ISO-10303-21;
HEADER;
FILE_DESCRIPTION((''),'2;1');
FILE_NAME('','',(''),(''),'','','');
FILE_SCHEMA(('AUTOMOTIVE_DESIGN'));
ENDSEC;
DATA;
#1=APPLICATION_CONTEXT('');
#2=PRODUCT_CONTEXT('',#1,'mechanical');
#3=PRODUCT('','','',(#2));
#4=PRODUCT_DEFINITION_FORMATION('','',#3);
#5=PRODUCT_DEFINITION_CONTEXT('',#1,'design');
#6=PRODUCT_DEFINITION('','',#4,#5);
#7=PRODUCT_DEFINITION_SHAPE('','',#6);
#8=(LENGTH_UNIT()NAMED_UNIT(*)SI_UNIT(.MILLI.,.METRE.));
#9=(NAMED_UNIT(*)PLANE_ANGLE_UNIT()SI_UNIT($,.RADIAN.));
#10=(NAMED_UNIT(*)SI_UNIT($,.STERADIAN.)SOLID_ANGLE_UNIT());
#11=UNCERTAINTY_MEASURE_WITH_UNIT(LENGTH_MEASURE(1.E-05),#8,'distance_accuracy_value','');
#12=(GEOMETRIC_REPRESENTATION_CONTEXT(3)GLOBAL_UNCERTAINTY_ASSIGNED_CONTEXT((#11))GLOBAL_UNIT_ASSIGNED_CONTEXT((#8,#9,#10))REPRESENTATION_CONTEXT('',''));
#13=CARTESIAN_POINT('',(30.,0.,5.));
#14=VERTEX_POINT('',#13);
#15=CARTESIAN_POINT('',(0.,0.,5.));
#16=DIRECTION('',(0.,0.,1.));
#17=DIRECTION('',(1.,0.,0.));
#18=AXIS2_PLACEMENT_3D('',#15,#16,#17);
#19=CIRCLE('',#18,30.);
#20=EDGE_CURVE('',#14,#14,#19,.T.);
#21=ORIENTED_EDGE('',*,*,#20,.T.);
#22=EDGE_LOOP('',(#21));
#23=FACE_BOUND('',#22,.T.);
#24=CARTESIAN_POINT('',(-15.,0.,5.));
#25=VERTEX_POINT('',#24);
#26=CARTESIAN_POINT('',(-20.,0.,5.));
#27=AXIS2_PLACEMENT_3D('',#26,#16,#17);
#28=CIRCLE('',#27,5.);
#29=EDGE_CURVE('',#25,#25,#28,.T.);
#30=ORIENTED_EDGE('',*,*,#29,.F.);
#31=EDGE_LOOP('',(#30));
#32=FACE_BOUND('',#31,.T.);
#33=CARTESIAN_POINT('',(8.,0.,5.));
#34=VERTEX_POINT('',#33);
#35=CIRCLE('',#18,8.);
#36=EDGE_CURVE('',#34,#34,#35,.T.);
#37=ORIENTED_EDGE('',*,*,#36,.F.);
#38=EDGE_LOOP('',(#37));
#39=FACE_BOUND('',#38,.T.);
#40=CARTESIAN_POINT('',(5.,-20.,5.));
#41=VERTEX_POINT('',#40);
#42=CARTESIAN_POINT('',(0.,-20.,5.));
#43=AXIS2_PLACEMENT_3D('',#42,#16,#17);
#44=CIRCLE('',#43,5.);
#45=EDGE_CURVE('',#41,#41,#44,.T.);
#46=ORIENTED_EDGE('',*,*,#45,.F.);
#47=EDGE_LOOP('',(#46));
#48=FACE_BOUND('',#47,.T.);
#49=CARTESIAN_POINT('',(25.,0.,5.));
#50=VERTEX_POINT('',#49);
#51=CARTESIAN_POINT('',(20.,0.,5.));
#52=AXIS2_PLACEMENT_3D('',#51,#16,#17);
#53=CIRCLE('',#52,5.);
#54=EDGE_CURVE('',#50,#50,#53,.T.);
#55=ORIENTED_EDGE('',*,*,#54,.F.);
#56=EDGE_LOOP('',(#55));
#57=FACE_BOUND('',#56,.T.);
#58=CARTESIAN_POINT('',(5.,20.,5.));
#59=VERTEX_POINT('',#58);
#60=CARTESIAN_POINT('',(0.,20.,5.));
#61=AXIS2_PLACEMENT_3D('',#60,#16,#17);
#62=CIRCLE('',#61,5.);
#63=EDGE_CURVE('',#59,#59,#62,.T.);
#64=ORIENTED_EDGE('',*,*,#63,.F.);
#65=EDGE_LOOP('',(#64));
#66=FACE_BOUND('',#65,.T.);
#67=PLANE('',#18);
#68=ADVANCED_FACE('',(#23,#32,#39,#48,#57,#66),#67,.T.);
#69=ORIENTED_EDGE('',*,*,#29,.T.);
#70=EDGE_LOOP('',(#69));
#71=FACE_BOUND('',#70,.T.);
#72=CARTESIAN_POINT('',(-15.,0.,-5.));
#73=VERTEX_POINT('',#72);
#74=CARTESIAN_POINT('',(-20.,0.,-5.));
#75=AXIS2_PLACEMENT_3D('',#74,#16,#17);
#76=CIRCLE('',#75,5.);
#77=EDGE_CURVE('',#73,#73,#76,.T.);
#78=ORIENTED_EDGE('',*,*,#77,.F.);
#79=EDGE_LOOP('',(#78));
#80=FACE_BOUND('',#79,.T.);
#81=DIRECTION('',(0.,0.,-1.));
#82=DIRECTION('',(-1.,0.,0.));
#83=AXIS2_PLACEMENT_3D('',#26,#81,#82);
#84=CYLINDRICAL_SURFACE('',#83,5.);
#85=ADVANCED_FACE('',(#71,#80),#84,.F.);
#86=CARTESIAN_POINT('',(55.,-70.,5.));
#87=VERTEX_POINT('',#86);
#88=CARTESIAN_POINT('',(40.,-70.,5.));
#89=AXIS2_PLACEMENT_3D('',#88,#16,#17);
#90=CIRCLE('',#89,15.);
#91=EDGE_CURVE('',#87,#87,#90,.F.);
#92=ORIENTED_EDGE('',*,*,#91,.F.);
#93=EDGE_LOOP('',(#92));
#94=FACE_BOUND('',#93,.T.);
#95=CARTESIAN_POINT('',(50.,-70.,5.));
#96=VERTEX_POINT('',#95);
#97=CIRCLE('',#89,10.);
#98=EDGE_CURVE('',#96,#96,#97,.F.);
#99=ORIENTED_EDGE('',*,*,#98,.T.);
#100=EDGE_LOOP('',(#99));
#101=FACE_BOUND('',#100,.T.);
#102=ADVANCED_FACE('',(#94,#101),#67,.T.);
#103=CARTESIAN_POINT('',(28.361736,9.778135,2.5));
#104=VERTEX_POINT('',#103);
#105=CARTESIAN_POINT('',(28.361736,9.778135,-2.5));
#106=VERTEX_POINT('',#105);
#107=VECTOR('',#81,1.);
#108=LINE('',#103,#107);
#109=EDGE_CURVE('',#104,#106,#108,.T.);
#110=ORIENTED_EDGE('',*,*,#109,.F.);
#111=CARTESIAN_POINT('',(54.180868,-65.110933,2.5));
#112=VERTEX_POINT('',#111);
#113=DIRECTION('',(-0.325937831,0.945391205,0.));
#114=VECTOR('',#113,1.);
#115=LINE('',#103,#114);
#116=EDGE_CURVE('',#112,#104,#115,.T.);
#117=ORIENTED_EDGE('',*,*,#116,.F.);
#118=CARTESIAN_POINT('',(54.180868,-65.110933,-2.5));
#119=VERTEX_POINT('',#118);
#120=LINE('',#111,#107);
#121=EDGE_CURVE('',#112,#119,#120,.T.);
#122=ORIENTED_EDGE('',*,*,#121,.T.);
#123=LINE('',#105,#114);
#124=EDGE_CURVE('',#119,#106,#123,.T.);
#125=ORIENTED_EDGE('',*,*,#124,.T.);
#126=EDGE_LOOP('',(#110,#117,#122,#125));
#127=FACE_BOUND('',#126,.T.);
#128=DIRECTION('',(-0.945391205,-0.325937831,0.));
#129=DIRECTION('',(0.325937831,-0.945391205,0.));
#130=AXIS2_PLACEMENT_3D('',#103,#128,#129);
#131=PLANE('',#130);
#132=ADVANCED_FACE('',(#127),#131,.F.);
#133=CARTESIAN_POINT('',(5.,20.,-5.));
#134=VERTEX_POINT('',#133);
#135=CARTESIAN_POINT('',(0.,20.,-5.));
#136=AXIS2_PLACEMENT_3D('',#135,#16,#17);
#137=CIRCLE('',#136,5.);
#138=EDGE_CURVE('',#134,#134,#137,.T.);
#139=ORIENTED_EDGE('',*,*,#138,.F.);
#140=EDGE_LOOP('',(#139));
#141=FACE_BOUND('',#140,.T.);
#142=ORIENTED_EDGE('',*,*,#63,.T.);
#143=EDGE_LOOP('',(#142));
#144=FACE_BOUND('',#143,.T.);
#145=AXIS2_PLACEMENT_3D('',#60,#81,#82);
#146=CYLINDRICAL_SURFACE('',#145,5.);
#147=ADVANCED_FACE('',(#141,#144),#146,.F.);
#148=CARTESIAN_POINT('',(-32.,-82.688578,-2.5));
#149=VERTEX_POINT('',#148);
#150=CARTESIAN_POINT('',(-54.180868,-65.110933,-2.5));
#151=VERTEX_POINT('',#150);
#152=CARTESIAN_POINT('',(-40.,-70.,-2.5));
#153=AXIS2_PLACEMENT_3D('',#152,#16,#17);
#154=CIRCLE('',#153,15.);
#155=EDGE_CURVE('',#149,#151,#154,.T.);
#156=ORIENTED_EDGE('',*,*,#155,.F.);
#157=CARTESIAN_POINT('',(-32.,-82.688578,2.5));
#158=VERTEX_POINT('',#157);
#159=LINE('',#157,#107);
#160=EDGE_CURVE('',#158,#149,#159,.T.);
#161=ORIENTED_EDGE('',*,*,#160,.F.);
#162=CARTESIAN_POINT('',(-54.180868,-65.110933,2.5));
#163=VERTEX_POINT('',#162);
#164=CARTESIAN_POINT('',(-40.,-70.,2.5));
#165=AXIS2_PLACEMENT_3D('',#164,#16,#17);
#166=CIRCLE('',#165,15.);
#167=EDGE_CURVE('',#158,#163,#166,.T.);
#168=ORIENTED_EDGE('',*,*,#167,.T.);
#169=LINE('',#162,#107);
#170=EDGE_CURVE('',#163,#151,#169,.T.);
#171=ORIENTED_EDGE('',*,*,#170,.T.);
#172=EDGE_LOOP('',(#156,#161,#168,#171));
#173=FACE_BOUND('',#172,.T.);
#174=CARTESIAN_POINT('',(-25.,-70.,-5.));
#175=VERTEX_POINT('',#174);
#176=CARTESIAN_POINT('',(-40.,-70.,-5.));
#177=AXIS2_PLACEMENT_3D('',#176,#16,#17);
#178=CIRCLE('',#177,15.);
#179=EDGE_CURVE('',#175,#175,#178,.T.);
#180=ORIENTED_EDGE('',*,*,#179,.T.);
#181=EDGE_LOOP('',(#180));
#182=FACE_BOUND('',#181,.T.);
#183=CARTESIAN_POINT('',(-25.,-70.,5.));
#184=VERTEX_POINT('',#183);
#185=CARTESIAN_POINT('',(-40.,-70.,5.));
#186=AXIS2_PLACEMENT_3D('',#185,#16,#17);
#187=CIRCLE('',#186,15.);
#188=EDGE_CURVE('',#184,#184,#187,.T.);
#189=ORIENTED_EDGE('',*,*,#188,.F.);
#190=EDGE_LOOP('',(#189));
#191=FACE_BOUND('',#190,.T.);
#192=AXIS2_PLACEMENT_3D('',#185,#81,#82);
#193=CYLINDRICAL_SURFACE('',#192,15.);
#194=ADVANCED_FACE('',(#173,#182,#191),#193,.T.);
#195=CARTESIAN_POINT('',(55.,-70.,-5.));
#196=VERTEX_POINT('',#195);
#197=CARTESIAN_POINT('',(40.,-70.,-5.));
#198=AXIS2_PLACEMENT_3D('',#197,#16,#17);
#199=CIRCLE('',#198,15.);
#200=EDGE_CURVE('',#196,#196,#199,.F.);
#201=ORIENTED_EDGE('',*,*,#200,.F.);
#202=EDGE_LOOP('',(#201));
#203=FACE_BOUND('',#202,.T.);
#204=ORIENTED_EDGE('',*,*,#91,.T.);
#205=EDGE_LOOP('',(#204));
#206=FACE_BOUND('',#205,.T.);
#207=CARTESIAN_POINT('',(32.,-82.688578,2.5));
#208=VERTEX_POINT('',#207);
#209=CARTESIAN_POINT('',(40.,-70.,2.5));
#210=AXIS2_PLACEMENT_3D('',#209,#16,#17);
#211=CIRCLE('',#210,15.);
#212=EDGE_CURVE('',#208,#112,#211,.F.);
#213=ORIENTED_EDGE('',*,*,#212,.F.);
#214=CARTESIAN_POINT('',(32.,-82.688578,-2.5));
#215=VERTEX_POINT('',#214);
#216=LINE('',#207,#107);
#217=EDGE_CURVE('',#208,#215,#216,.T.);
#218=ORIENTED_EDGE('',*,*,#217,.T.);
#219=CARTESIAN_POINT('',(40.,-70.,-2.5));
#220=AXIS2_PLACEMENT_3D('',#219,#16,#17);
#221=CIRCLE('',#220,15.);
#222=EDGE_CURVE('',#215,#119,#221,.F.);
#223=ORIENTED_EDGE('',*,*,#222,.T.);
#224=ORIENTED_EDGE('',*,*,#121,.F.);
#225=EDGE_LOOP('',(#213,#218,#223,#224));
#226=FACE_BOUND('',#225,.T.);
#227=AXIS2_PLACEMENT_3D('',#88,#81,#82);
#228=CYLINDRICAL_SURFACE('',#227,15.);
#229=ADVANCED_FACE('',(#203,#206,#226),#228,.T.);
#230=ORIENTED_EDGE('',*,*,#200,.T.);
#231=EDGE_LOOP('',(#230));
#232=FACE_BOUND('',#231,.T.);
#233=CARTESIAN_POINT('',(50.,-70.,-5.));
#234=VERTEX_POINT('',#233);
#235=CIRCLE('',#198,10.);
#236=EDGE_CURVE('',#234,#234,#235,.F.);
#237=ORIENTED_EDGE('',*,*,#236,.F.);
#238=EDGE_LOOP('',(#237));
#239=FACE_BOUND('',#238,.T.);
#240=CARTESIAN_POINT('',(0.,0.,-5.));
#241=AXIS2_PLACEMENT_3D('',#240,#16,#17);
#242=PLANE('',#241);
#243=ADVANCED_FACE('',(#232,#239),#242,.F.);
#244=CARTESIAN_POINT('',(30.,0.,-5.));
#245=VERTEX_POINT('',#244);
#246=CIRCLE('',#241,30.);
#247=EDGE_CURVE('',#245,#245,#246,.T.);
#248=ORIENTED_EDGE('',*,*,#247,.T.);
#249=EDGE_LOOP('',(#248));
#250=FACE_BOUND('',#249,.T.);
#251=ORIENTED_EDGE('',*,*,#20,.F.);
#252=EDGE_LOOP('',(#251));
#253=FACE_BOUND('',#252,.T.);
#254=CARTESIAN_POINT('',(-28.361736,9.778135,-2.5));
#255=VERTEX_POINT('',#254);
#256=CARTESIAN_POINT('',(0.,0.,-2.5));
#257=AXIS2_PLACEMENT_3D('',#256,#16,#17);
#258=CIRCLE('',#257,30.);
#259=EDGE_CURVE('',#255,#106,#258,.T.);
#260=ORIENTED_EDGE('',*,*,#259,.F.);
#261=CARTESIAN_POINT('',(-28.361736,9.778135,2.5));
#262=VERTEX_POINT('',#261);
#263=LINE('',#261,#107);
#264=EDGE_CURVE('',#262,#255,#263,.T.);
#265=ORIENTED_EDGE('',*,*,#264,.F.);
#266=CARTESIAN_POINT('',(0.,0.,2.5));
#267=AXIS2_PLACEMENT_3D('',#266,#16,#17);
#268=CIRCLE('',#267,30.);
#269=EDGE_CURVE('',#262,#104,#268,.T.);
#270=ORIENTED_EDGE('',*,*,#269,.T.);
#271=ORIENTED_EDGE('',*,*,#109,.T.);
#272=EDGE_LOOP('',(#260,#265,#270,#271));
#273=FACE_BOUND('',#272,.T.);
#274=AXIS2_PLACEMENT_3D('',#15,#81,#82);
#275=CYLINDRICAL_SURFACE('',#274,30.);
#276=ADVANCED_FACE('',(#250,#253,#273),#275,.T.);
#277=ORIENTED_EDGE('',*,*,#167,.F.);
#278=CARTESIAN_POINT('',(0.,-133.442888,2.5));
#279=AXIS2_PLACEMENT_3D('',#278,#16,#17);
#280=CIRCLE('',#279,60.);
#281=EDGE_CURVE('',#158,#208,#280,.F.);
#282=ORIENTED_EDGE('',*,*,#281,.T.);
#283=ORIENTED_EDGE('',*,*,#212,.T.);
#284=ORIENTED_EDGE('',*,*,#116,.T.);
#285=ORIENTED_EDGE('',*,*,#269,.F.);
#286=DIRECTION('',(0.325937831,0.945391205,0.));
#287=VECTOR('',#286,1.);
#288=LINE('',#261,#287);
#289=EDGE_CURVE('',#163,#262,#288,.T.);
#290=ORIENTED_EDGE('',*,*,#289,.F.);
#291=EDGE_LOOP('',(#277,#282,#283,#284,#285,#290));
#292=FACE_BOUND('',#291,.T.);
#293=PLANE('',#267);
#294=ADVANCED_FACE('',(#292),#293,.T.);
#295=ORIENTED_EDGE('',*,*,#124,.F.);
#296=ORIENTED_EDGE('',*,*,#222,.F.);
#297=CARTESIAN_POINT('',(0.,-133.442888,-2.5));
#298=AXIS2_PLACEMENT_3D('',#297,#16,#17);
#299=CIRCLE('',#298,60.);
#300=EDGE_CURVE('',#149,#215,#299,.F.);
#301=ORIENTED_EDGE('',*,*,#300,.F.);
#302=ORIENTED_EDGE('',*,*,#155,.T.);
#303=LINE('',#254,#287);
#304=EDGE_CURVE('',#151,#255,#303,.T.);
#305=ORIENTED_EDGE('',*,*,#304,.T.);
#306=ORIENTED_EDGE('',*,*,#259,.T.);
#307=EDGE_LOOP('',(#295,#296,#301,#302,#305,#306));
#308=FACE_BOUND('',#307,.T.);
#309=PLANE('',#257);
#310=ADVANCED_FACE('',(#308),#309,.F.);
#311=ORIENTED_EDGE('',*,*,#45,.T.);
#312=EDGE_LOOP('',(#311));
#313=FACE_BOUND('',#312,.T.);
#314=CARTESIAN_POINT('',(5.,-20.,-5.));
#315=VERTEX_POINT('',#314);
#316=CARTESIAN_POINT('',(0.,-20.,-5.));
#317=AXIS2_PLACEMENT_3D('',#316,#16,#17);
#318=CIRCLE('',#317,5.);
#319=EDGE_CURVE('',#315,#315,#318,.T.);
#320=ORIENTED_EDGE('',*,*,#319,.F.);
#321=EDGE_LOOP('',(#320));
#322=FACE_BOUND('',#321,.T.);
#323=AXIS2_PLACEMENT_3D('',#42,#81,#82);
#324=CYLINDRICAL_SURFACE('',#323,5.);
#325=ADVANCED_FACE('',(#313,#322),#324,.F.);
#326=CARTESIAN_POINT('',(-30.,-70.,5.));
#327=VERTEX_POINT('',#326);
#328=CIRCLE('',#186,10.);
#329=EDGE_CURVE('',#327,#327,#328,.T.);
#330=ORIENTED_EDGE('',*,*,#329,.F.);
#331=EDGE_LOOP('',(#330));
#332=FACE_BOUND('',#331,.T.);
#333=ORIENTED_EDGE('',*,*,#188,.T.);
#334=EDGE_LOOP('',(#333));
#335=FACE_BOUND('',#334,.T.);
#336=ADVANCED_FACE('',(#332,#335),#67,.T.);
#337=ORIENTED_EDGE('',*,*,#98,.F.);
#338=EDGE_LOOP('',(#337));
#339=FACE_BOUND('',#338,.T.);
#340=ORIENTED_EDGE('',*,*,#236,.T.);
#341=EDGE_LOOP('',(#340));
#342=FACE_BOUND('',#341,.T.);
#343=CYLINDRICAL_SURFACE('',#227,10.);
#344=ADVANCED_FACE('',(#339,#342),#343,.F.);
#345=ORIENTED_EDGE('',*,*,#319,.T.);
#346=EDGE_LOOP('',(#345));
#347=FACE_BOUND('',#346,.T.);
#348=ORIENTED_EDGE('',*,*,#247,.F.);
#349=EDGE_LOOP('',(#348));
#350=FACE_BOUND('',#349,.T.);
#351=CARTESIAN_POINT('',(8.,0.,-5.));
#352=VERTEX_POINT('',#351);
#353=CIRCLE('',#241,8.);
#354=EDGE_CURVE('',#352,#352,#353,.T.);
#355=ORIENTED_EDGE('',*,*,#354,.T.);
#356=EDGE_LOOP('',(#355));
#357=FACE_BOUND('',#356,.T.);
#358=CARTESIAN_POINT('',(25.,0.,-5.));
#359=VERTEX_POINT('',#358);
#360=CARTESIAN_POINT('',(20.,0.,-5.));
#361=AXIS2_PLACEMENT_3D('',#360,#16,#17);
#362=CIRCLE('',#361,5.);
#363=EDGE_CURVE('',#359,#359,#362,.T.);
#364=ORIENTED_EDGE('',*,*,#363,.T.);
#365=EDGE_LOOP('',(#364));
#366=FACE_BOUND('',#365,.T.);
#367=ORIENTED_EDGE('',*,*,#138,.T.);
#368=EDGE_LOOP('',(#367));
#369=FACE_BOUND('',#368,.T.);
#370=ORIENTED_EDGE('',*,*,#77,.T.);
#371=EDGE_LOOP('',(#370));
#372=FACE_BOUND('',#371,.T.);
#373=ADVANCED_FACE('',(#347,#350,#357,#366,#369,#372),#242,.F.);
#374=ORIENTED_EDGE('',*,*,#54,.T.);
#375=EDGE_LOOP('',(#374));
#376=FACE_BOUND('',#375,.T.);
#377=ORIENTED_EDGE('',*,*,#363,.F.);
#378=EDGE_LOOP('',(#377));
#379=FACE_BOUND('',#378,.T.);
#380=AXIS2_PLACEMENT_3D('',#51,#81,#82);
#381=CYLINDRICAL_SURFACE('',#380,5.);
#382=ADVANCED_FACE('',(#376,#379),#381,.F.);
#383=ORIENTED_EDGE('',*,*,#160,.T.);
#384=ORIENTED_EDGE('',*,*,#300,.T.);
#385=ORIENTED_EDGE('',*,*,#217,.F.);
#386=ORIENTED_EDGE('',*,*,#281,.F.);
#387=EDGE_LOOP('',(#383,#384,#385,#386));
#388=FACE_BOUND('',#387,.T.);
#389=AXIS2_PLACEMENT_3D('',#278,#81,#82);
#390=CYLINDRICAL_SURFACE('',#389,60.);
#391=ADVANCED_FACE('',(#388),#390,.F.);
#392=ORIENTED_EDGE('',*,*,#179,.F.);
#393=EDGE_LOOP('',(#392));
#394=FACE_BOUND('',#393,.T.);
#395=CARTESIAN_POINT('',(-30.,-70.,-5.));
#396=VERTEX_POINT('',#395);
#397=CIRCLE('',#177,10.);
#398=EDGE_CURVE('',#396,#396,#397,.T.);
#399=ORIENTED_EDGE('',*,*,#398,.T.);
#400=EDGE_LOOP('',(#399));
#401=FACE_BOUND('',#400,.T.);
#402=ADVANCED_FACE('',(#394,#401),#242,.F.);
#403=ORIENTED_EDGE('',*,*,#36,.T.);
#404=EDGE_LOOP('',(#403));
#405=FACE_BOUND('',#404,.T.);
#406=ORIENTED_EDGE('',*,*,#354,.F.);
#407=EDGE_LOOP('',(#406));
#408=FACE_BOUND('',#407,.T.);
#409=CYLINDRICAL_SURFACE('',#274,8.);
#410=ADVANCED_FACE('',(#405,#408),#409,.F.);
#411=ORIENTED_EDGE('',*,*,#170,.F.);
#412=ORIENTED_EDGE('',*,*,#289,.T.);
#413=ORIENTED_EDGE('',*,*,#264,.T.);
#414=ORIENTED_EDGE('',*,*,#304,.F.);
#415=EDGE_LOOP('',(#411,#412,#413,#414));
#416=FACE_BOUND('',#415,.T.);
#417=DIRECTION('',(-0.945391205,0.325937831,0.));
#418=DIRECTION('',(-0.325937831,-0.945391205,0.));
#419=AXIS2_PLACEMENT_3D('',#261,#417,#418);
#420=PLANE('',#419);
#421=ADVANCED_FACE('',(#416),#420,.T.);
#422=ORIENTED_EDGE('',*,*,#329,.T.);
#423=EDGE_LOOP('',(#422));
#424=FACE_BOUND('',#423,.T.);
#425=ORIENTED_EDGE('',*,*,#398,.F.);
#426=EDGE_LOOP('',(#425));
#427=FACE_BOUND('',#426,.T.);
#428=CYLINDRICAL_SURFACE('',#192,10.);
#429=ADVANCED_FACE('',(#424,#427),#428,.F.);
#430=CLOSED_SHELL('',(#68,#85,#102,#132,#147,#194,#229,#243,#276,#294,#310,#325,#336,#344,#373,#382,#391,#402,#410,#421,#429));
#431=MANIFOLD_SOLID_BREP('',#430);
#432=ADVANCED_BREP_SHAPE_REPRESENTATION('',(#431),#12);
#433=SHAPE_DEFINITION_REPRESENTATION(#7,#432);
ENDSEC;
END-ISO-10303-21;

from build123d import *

# Parameters (mm, degrees)
SKETCH1_R             = 15
SKETCH1_R_2           = 10
BOSS_EXTRUDE1_DEPTH   = 5
SKETCH1_R_3           = 30
SKETCH1_R_4           = 5
SKETCH1_R_5           = 8
BOSS_EXTRUDE1_2_DEPTH = 5
BOSS_EXTRUDE1_3_DEPTH = 5
BOSS_EXTRUDE2_DEPTH   = 2.5


with BuildPart() as part:
    # Sketch1 → Boss-Extrude1 (new, symmetric)
    with BuildSketch(Plane.XY):
        with Locations((-40, -70)):
            Circle(SKETCH1_R)
        with Locations((-40, -70)):
            Circle(SKETCH1_R_2, mode=Mode.SUBTRACT)
    extrude(amount=BOSS_EXTRUDE1_DEPTH, both=True)



with BuildPart() as body_2:
    # Sketch1 → Boss-Extrude1 2 (new, symmetric)
    with BuildSketch(Plane.XY):
        Circle(SKETCH1_R_3)
        with Locations((-20, 0)):
            Circle(SKETCH1_R_4, mode=Mode.SUBTRACT)
        with Locations((0, -20)):
            Circle(SKETCH1_R_4, mode=Mode.SUBTRACT)
        Circle(SKETCH1_R_5, mode=Mode.SUBTRACT)
        with Locations((20, 0)):
            Circle(SKETCH1_R_4, mode=Mode.SUBTRACT)
        with Locations((0, 20)):
            Circle(SKETCH1_R_4, mode=Mode.SUBTRACT)
    extrude(amount=BOSS_EXTRUDE1_2_DEPTH, both=True)


with BuildPart() as body_3:
    # Sketch1 → Boss-Extrude1 3 (new, symmetric)
    with BuildSketch(Plane.XY):
        with Locations((40, -70)):
            Circle(SKETCH1_R)
        with Locations((40, -70)):
            Circle(SKETCH1_R_2, mode=Mode.SUBTRACT)
    extrude(amount=BOSS_EXTRUDE1_3_DEPTH, both=True)


with BuildPart() as part_1:
    add(part.part)

    add(body_2.part)  # Boss-Extrude2 merges body 2

    add(body_3.part)  # Boss-Extrude2 merges body 3
    # Sketch1<3> → Boss-Extrude2 (add, symmetric)
    with BuildSketch(Plane.XY):
        with BuildLine():
            Line((-28.361736144, 9.778134939), (-54.180868072, -65.11093253))
            ThreePointArc((-54.180868072, -65.11093253), (-37.521393646, -55.206200267), (-25, -70))
            ThreePointArc((-25, -70), (-26.866074463, -77.245688373), (-32, -82.68857754))
            ThreePointArc((-32, -82.68857754), (0, -73.442887702), (32, -82.68857754))
            ThreePointArc((32, -82.68857754), (30.683660399, -58.24390301), (54.180868072, -65.11093253))
            Line((54.180868072, -65.11093253), (28.361736144, 9.778134939))
            ThreePointArc((28.361736144, 9.778134939), (29.587599466, 4.957212709), (30, 0))
            ThreePointArc((30, 0), (-4.957212709, -29.587599466), (-28.361736144, 9.778134939))
        make_face()
    extrude(amount=BOSS_EXTRUDE2_DEPTH, both=True)


solid = part_1.part
